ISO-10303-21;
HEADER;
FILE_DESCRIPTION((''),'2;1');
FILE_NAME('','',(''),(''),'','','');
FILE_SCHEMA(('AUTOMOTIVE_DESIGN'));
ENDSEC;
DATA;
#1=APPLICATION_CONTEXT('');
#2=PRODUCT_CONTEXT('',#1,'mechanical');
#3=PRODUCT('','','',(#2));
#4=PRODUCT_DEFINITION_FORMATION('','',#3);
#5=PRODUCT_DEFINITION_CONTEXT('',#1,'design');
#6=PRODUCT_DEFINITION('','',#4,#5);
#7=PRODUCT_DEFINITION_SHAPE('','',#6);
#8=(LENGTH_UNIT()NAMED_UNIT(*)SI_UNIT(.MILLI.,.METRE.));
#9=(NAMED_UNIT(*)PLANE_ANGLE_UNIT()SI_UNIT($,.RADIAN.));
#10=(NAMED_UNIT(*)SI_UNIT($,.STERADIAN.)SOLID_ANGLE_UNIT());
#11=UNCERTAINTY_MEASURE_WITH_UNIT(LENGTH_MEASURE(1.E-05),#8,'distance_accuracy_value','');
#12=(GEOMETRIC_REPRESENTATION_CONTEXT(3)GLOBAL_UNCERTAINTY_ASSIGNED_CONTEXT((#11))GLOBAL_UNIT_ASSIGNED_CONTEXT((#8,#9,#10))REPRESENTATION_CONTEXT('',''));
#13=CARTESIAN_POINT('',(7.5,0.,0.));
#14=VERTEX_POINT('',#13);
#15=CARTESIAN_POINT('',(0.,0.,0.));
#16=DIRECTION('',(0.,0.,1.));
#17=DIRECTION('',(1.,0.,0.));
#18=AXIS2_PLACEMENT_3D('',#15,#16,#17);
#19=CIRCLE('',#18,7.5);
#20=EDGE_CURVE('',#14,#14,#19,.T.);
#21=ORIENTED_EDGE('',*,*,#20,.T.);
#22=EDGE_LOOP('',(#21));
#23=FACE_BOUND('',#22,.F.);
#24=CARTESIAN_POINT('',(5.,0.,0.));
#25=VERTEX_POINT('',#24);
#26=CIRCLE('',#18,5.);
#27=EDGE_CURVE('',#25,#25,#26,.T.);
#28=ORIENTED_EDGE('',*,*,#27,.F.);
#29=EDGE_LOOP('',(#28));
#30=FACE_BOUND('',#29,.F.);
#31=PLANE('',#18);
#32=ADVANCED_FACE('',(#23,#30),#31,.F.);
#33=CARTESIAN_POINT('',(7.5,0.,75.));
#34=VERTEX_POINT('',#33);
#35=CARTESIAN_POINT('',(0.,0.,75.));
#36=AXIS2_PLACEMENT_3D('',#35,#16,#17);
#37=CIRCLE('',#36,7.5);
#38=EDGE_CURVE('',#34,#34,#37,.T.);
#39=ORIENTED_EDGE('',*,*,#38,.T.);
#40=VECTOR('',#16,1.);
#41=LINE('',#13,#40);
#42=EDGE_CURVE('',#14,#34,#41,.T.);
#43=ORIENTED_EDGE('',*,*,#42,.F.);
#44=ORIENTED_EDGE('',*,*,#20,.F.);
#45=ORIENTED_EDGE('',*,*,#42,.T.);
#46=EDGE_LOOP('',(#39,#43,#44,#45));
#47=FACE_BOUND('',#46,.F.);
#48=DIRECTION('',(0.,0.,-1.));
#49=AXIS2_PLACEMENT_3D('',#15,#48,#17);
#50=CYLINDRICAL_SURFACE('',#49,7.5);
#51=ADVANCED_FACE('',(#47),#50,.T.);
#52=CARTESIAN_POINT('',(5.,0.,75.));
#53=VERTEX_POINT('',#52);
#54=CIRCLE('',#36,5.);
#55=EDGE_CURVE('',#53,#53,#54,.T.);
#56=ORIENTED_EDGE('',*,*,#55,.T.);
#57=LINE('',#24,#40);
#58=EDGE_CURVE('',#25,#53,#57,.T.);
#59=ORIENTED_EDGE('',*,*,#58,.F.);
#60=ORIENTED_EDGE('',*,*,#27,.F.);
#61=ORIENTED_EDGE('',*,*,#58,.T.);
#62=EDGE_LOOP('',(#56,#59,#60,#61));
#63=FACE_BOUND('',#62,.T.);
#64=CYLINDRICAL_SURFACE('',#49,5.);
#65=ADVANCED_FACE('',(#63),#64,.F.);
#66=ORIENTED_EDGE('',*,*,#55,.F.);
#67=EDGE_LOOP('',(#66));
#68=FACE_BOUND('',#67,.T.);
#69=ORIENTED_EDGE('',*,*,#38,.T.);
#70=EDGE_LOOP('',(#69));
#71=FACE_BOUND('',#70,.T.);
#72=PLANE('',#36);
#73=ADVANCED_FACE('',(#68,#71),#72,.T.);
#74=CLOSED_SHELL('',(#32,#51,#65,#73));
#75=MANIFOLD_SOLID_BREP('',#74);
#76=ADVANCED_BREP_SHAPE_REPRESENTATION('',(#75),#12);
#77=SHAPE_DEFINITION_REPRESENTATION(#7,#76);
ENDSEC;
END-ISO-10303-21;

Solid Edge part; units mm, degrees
sketch "Sketch1" plane through (0, 0, 0) normal (0, 0, 1) x (1, 0, 0)
  circle A0 centre (0, 0) radius 7.5
  circle A1 centre (0, 0) radius 5
extrude "Protrusion1" add sketch "Sketch1" along normal blind 75
